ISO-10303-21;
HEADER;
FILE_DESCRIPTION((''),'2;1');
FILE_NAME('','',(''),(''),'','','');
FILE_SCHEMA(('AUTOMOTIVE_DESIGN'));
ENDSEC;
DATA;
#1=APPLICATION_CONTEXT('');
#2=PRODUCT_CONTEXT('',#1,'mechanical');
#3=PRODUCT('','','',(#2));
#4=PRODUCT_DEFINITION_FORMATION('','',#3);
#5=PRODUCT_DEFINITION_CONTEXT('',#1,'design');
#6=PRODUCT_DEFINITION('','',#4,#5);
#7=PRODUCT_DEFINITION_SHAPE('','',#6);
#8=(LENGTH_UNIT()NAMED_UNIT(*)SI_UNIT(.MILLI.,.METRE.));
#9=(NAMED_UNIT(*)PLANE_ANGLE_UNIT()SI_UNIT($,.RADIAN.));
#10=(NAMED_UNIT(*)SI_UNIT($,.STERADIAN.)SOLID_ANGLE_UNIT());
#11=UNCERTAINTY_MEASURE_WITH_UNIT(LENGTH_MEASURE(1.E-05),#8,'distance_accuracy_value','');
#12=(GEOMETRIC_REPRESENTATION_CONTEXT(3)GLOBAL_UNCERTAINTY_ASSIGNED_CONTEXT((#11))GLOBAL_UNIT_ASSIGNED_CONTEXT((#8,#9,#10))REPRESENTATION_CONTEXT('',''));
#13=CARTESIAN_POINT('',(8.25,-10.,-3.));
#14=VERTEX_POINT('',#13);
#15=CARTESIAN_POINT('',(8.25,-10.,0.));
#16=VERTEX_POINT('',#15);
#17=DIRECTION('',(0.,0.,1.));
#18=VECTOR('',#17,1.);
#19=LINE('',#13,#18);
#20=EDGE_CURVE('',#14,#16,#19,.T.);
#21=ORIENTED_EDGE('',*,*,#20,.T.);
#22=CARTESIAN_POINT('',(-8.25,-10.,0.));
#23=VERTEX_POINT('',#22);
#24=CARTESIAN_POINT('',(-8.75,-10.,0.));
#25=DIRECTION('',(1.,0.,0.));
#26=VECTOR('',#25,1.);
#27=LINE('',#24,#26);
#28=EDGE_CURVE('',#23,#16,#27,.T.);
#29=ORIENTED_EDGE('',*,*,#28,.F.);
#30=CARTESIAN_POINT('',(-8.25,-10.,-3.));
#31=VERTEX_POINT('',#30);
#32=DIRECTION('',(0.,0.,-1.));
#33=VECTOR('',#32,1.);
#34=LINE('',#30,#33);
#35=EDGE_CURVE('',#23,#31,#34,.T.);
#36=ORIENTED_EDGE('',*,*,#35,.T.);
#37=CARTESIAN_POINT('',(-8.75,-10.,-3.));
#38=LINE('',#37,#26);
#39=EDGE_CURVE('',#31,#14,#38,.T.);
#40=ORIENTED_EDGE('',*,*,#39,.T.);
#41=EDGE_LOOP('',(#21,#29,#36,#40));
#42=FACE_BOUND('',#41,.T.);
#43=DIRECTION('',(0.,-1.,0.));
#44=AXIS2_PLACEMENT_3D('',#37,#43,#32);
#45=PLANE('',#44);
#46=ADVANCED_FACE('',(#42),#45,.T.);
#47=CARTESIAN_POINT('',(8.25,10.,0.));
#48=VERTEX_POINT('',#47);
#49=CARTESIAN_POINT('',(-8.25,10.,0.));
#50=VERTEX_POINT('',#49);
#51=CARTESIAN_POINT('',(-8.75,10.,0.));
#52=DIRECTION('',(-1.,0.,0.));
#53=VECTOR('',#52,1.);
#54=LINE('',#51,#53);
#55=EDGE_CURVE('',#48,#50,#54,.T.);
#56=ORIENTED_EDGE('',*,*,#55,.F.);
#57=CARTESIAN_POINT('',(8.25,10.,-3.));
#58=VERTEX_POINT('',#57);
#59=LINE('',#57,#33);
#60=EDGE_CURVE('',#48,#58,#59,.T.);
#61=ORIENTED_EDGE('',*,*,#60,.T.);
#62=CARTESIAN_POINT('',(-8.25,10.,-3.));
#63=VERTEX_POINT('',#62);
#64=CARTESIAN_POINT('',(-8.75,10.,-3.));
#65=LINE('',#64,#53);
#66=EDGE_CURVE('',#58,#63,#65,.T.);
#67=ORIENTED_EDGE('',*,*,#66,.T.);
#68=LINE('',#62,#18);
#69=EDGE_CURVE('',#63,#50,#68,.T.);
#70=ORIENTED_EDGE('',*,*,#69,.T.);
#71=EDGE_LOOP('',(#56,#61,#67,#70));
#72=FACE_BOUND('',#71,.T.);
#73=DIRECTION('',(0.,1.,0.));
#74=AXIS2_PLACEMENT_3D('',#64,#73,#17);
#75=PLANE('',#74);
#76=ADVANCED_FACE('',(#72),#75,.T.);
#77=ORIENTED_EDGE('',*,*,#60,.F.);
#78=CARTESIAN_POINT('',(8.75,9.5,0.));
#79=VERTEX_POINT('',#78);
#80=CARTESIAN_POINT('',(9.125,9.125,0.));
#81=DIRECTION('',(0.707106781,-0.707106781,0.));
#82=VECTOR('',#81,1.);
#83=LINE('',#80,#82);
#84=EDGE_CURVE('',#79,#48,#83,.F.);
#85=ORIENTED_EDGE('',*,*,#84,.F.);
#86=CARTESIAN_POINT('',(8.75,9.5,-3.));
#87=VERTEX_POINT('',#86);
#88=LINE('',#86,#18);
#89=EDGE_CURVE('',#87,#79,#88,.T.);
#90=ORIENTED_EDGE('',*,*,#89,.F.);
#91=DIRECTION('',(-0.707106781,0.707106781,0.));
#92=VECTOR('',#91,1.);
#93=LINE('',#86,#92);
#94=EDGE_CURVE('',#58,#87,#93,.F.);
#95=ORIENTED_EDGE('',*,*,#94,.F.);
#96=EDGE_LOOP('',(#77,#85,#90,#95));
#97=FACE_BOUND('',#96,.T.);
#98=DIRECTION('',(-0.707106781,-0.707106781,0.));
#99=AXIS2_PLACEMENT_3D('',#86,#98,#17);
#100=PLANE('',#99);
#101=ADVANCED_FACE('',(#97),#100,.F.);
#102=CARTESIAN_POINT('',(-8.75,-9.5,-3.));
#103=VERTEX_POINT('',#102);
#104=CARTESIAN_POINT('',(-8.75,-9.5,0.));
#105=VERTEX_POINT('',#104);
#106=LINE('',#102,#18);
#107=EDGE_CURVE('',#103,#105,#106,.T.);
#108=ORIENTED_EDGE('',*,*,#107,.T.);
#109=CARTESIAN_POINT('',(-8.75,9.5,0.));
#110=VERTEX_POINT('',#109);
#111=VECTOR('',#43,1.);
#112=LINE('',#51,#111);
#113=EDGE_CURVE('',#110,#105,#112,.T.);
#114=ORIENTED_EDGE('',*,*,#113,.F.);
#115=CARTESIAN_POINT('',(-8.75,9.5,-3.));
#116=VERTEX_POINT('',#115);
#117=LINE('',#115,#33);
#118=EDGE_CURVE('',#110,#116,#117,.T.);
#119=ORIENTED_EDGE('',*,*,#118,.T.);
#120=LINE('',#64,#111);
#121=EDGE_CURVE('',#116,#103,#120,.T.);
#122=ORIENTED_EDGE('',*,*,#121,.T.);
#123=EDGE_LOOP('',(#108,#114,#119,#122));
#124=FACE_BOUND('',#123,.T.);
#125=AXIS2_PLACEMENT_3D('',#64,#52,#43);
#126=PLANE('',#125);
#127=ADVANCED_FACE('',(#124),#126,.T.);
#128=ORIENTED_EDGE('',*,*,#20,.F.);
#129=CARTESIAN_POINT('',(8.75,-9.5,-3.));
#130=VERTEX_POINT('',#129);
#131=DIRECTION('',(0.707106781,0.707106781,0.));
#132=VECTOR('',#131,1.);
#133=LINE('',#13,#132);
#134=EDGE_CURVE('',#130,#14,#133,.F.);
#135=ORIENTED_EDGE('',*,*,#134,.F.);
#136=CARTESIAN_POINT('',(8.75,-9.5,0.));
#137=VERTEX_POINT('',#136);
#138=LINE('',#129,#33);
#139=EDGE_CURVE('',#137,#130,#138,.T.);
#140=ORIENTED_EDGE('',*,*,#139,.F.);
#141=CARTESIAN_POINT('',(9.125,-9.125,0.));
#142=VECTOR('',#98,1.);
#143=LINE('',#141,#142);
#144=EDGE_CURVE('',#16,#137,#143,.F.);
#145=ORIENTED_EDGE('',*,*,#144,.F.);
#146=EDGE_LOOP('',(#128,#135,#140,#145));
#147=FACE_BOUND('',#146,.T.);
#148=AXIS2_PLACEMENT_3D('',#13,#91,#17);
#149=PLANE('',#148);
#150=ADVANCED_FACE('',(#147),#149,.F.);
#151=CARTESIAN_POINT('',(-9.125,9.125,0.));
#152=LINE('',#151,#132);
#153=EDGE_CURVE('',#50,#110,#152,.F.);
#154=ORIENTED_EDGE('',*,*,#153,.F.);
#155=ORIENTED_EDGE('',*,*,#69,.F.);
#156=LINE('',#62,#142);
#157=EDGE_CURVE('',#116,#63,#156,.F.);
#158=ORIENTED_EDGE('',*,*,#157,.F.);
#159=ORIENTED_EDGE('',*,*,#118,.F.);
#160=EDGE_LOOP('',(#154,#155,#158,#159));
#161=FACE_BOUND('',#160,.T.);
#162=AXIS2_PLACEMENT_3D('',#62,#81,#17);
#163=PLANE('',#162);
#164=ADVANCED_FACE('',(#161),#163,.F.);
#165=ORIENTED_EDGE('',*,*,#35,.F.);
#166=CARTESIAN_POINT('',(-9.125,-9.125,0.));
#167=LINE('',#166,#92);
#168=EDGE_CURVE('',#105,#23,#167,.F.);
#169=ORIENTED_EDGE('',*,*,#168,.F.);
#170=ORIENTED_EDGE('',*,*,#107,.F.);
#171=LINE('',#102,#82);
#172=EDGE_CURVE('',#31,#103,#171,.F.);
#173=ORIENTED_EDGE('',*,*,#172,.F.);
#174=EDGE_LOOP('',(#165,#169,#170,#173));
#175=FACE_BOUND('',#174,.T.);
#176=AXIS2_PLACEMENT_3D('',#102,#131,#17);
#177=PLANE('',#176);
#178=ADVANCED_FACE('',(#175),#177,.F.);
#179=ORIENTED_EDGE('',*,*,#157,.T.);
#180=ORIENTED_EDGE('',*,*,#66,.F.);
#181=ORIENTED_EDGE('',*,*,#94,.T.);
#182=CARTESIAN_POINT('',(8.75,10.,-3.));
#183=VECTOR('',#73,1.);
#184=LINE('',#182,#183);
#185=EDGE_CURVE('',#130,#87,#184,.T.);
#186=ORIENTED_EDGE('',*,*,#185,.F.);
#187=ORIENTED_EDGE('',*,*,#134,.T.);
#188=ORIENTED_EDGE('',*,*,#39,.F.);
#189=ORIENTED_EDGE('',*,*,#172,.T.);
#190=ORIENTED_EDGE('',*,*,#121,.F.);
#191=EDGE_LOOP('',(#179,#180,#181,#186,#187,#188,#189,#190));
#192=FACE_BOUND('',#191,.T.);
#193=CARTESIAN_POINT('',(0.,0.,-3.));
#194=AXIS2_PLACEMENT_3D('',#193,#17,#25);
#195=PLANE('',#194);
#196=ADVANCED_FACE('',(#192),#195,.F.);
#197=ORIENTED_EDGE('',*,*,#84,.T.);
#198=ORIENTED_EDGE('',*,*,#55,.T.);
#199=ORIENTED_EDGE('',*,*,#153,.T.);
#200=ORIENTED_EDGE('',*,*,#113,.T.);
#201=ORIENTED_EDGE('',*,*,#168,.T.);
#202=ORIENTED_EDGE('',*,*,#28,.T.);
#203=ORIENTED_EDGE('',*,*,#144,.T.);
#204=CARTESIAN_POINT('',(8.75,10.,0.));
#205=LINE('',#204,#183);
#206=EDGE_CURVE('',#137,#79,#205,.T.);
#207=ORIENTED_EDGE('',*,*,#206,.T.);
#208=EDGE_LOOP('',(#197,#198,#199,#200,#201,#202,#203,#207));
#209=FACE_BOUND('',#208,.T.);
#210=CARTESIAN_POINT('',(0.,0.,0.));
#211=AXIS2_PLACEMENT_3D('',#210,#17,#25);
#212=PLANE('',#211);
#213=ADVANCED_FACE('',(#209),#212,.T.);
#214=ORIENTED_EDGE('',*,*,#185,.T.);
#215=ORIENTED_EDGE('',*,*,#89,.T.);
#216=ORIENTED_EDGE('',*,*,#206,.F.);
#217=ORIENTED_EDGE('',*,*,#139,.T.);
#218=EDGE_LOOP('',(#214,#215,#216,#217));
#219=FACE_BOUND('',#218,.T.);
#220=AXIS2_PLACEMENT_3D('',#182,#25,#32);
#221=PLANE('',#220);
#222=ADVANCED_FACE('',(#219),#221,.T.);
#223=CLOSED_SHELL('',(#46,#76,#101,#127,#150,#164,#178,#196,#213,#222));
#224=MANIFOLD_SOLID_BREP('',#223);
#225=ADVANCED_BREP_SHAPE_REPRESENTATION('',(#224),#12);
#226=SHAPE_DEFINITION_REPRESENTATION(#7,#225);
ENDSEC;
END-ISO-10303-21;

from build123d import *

# Parameters (mm, degrees)
SCHIZZO1_W                   = 17.5
SCHIZZO1_H                   = 20
ESTRUSIONE_ESTRUSIONE1_DEPTH = 3
SMUSSO1_SIZE                 = 0.5
SMUSSO2_SIZE                 = 0.5
SMUSSO3_SIZE                 = 0.5
SMUSSO4_SIZE                 = 0.5


with BuildPart() as part:
    # Schizzo1 → Estrusione-Estrusione1 (new body)
    with BuildSketch(Plane.XY):
        Rectangle(SCHIZZO1_W, SCHIZZO1_H)
    extrude(amount=-ESTRUSIONE_ESTRUSIONE1_DEPTH)

    # Smusso1
    smusso1_edges = [part.edges().sort_by_distance(p)[0] for p in [
        (-8.75, -10, -1.5),
    ]]
    chamfer(smusso1_edges, length=SMUSSO1_SIZE)

    # Smusso2
    smusso2_edges = [part.edges().sort_by_distance(p)[0] for p in [
        (8.75, -10, -1.5),
    ]]
    chamfer(smusso2_edges, length=SMUSSO2_SIZE)

    # Smusso3
    smusso3_edges = [part.edges().sort_by_distance(p)[0] for p in [
        (8.75, 10, -1.5),
    ]]
    chamfer(smusso3_edges, length=SMUSSO3_SIZE)

    # Smusso4
    smusso4_edges = [part.edges().sort_by_distance(p)[0] for p in [
        (-8.75, 10, -1.5),
    ]]
    chamfer(smusso4_edges, length=SMUSSO4_SIZE)


solid = part.part
